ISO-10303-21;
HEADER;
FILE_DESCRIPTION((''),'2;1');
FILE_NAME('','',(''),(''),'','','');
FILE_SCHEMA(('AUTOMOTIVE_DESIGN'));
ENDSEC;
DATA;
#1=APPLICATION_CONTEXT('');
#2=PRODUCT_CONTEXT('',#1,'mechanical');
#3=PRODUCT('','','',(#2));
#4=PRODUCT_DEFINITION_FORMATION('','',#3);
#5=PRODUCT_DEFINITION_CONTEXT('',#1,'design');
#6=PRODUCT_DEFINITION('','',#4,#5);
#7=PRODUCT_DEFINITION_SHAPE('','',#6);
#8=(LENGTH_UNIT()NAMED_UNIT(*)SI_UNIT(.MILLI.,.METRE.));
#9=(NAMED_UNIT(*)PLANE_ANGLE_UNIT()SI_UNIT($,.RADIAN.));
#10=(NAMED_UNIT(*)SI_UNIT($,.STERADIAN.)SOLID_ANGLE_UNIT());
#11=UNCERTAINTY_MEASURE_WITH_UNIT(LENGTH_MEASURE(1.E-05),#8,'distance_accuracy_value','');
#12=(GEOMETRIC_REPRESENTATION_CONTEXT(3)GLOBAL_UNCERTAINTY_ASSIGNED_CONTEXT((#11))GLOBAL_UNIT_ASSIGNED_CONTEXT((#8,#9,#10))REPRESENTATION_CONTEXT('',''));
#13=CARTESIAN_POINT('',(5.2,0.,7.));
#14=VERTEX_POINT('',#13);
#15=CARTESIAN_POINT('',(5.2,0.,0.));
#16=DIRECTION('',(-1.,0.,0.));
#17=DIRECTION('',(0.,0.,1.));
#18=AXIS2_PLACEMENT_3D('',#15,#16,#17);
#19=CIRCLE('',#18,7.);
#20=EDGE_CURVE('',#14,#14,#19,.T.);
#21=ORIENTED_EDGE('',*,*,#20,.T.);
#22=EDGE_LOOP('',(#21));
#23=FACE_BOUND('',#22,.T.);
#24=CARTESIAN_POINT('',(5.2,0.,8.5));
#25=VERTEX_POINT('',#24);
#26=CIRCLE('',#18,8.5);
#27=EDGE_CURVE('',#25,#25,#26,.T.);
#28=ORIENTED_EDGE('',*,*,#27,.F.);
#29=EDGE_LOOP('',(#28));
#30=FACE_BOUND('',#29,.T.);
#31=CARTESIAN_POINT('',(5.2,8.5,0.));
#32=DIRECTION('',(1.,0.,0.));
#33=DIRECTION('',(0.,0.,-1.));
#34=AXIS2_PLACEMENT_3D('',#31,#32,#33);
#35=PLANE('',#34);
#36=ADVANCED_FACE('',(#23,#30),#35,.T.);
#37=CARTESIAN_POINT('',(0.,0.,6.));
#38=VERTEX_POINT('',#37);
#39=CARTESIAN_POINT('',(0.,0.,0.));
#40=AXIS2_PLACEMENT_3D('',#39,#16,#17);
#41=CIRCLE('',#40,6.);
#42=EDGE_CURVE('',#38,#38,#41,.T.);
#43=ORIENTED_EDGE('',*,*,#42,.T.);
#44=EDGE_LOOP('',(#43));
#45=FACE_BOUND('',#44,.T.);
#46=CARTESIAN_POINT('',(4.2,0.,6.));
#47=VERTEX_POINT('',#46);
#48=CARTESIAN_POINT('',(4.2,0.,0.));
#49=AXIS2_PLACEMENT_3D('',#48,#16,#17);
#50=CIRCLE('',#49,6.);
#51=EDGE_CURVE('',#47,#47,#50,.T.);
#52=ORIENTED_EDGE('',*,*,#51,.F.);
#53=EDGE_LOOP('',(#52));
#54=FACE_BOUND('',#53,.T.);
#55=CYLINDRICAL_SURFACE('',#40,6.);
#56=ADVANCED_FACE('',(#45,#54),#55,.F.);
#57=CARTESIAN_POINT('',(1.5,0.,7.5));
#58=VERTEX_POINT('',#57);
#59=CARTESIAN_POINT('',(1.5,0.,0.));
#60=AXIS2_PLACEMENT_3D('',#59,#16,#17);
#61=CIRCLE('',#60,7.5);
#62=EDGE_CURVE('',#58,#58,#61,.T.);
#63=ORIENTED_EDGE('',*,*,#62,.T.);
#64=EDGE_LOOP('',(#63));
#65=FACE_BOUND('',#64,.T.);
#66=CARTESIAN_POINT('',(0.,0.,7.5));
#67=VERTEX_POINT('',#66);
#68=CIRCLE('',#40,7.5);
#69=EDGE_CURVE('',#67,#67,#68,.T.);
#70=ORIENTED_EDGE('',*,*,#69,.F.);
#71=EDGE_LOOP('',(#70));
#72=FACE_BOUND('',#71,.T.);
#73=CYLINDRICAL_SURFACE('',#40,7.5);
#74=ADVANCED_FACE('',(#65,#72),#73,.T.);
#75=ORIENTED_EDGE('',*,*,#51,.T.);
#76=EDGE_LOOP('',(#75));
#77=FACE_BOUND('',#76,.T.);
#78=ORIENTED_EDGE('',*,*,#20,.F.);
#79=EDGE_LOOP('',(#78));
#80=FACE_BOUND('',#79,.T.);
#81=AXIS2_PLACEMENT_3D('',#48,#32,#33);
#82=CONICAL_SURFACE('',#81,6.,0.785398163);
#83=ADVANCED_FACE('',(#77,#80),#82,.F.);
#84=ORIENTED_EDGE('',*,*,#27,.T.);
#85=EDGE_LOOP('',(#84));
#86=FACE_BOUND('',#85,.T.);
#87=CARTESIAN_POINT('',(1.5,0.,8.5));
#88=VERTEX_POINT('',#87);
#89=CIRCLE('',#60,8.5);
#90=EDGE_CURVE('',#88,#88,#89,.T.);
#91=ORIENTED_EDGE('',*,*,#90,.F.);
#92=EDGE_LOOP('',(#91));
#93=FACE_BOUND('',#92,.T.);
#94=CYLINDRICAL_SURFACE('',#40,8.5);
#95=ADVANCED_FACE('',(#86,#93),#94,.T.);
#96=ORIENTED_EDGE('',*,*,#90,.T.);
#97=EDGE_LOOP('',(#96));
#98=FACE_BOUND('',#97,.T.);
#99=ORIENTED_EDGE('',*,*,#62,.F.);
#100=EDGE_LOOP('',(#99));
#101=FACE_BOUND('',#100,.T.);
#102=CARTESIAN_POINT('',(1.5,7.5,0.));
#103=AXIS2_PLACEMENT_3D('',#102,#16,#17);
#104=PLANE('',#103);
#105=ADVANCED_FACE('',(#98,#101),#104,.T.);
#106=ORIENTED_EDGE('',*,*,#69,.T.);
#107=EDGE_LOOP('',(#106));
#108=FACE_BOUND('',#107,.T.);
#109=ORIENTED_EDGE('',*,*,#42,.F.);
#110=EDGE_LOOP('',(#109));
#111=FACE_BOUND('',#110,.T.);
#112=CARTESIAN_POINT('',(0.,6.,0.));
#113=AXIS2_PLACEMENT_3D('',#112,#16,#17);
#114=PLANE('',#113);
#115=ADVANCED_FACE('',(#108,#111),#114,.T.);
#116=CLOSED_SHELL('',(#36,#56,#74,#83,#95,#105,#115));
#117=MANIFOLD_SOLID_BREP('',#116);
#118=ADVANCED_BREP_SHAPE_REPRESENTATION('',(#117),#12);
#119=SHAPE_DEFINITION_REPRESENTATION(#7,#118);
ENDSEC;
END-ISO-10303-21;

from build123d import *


with BuildPart() as part:
    # Sketch1 → Revolve4 (revolve)
    with BuildSketch(Plane.XY):
        Polygon((0, 6), (0, 7.5), (1.5, 7.5), (1.5, 8.5), (5.2, 8.5), (5.2, 7), (4.2, 6), align=None)
    revolve(axis=Axis((0, 0, 0), (1, 0, 0)))


solid = part.part
